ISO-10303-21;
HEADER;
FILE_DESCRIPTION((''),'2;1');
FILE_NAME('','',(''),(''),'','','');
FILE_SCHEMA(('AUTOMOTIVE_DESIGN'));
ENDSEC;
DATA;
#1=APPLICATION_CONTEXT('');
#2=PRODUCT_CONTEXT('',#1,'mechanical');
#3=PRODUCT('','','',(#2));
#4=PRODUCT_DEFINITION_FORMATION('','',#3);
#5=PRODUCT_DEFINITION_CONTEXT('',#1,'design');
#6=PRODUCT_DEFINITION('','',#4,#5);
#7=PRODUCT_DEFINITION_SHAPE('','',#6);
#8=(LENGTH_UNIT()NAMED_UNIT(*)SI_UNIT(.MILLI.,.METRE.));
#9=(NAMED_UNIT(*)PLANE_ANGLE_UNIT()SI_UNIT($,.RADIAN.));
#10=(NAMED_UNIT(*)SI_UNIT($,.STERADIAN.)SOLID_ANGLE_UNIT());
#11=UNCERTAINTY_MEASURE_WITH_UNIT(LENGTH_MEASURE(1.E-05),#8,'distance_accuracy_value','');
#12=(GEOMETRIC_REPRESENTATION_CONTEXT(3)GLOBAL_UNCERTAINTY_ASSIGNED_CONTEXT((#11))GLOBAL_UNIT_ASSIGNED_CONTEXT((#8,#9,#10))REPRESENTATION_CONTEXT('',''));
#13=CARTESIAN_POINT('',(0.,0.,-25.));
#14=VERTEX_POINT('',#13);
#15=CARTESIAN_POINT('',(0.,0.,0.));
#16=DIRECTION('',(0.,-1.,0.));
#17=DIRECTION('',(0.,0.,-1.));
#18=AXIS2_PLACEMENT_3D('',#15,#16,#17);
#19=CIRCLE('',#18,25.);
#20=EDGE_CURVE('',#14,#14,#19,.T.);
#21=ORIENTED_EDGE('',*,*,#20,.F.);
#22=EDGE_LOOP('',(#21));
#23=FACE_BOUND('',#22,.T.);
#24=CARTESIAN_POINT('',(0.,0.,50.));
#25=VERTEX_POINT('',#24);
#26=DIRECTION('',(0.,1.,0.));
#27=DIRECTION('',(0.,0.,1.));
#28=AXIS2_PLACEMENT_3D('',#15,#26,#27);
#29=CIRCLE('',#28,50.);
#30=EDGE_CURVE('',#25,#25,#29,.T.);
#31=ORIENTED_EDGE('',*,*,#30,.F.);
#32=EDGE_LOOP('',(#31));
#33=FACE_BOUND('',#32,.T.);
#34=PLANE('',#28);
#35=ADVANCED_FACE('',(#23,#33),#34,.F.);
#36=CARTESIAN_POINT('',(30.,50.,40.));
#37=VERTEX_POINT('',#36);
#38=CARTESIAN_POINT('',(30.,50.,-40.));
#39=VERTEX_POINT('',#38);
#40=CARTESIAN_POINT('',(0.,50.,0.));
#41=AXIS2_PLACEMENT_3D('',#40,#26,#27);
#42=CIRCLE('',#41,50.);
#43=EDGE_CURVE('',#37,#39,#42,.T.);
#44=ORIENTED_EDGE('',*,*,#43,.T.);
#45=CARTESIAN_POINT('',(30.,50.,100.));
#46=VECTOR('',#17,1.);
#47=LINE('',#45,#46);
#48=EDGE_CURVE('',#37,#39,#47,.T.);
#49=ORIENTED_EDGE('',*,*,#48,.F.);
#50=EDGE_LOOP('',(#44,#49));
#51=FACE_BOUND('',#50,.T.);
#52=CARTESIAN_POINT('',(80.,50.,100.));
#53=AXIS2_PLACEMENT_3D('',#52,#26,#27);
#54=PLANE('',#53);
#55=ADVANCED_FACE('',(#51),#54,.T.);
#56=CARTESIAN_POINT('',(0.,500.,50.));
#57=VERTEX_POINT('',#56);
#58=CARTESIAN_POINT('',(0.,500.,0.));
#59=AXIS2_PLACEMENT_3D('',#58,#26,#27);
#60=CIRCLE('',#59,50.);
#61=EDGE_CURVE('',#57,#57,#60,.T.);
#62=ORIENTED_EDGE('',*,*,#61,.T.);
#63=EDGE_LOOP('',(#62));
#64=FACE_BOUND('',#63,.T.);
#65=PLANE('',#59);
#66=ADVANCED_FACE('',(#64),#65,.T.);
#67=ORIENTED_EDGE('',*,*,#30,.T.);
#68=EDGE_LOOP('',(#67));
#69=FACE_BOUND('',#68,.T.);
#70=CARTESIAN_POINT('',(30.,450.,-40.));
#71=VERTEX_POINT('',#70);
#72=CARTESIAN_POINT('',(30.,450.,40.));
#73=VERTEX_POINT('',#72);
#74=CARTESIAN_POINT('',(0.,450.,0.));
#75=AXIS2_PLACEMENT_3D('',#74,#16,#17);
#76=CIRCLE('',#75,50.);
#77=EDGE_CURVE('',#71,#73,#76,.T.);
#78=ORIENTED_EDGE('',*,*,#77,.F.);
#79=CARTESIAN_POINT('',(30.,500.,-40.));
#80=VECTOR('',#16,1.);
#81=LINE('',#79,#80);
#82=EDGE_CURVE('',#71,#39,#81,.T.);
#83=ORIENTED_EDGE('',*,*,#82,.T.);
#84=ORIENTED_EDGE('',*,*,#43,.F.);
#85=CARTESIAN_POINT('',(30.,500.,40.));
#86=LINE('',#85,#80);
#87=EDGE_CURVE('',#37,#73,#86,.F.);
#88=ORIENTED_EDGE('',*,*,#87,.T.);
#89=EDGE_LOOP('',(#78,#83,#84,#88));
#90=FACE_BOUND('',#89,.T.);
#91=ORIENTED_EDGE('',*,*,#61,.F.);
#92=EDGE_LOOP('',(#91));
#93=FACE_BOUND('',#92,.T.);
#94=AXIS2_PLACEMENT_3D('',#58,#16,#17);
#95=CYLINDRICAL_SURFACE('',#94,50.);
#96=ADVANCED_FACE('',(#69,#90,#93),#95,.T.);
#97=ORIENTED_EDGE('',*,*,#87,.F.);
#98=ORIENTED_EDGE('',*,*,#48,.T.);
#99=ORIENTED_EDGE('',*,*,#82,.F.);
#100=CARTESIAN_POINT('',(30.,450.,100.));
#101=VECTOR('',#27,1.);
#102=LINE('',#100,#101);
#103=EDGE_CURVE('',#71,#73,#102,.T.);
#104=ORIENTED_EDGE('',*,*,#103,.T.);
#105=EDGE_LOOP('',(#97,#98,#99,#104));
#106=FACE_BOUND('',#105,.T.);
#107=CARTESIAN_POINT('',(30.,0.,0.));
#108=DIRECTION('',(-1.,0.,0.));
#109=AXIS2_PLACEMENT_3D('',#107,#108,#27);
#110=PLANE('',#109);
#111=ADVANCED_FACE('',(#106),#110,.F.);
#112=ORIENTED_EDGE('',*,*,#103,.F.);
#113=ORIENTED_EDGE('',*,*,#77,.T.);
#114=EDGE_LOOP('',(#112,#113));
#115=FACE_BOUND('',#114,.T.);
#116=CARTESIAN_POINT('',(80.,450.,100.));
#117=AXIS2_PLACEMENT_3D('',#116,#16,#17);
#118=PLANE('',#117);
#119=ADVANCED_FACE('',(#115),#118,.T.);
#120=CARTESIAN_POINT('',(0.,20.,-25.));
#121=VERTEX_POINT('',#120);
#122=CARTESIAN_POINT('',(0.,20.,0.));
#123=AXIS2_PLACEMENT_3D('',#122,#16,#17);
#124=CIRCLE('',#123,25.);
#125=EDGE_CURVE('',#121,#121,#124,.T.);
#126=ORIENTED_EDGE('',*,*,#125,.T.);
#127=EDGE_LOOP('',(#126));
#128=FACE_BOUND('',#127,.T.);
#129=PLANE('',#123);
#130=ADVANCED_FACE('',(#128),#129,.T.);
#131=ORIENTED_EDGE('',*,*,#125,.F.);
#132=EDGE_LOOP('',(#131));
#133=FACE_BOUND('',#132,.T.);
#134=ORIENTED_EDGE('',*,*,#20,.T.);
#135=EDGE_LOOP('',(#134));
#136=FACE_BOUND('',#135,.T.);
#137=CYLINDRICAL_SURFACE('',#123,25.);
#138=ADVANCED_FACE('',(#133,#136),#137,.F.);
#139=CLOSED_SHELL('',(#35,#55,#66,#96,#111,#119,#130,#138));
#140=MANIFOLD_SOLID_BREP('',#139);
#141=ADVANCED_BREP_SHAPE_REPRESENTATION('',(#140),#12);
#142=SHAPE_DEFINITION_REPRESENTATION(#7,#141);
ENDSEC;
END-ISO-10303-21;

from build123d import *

# Parameters (mm, degrees)
SKETCH1_R           = 50
BOSS_EXTRUDE1_DEPTH = 500
SKETCH2_R           = 25
CUT_EXTRUDE1_DEPTH  = 20
SKETCH3_W           = 200
SKETCH3_H           = 400
CUT_EXTRUDE2_DEPTH  = 50


with BuildPart() as part:
    # Sketch1 → Boss-Extrude1 (new body)
    with BuildSketch(Plane(origin=(0, 0, 0), x_dir=(1, 0, 0), z_dir=(0, 1, 0))):
        with Locations(Location((0, 0, 0), (0, 0, 270))):
            Circle(SKETCH1_R)
    extrude(amount=BOSS_EXTRUDE1_DEPTH)

    # Sketch2 → Cut-Extrude1 (cut)
    with BuildSketch(Plane.XZ):
        with Locations(Location((0, 0, 0), (0, 0, 270))):
            Circle(SKETCH2_R)
    extrude(amount=-CUT_EXTRUDE1_DEPTH, mode=Mode.SUBTRACT)

    # Sketch3 → Cut-Extrude2 (cut)
    with BuildSketch(Plane(origin=(30, 0, 0), x_dir=(0, 0, -1), z_dir=(1, 0, 0))):
        with Locations((0, 250)):
            Rectangle(SKETCH3_W, SKETCH3_H)
    extrude(amount=CUT_EXTRUDE2_DEPTH, mode=Mode.SUBTRACT)


solid = part.part
